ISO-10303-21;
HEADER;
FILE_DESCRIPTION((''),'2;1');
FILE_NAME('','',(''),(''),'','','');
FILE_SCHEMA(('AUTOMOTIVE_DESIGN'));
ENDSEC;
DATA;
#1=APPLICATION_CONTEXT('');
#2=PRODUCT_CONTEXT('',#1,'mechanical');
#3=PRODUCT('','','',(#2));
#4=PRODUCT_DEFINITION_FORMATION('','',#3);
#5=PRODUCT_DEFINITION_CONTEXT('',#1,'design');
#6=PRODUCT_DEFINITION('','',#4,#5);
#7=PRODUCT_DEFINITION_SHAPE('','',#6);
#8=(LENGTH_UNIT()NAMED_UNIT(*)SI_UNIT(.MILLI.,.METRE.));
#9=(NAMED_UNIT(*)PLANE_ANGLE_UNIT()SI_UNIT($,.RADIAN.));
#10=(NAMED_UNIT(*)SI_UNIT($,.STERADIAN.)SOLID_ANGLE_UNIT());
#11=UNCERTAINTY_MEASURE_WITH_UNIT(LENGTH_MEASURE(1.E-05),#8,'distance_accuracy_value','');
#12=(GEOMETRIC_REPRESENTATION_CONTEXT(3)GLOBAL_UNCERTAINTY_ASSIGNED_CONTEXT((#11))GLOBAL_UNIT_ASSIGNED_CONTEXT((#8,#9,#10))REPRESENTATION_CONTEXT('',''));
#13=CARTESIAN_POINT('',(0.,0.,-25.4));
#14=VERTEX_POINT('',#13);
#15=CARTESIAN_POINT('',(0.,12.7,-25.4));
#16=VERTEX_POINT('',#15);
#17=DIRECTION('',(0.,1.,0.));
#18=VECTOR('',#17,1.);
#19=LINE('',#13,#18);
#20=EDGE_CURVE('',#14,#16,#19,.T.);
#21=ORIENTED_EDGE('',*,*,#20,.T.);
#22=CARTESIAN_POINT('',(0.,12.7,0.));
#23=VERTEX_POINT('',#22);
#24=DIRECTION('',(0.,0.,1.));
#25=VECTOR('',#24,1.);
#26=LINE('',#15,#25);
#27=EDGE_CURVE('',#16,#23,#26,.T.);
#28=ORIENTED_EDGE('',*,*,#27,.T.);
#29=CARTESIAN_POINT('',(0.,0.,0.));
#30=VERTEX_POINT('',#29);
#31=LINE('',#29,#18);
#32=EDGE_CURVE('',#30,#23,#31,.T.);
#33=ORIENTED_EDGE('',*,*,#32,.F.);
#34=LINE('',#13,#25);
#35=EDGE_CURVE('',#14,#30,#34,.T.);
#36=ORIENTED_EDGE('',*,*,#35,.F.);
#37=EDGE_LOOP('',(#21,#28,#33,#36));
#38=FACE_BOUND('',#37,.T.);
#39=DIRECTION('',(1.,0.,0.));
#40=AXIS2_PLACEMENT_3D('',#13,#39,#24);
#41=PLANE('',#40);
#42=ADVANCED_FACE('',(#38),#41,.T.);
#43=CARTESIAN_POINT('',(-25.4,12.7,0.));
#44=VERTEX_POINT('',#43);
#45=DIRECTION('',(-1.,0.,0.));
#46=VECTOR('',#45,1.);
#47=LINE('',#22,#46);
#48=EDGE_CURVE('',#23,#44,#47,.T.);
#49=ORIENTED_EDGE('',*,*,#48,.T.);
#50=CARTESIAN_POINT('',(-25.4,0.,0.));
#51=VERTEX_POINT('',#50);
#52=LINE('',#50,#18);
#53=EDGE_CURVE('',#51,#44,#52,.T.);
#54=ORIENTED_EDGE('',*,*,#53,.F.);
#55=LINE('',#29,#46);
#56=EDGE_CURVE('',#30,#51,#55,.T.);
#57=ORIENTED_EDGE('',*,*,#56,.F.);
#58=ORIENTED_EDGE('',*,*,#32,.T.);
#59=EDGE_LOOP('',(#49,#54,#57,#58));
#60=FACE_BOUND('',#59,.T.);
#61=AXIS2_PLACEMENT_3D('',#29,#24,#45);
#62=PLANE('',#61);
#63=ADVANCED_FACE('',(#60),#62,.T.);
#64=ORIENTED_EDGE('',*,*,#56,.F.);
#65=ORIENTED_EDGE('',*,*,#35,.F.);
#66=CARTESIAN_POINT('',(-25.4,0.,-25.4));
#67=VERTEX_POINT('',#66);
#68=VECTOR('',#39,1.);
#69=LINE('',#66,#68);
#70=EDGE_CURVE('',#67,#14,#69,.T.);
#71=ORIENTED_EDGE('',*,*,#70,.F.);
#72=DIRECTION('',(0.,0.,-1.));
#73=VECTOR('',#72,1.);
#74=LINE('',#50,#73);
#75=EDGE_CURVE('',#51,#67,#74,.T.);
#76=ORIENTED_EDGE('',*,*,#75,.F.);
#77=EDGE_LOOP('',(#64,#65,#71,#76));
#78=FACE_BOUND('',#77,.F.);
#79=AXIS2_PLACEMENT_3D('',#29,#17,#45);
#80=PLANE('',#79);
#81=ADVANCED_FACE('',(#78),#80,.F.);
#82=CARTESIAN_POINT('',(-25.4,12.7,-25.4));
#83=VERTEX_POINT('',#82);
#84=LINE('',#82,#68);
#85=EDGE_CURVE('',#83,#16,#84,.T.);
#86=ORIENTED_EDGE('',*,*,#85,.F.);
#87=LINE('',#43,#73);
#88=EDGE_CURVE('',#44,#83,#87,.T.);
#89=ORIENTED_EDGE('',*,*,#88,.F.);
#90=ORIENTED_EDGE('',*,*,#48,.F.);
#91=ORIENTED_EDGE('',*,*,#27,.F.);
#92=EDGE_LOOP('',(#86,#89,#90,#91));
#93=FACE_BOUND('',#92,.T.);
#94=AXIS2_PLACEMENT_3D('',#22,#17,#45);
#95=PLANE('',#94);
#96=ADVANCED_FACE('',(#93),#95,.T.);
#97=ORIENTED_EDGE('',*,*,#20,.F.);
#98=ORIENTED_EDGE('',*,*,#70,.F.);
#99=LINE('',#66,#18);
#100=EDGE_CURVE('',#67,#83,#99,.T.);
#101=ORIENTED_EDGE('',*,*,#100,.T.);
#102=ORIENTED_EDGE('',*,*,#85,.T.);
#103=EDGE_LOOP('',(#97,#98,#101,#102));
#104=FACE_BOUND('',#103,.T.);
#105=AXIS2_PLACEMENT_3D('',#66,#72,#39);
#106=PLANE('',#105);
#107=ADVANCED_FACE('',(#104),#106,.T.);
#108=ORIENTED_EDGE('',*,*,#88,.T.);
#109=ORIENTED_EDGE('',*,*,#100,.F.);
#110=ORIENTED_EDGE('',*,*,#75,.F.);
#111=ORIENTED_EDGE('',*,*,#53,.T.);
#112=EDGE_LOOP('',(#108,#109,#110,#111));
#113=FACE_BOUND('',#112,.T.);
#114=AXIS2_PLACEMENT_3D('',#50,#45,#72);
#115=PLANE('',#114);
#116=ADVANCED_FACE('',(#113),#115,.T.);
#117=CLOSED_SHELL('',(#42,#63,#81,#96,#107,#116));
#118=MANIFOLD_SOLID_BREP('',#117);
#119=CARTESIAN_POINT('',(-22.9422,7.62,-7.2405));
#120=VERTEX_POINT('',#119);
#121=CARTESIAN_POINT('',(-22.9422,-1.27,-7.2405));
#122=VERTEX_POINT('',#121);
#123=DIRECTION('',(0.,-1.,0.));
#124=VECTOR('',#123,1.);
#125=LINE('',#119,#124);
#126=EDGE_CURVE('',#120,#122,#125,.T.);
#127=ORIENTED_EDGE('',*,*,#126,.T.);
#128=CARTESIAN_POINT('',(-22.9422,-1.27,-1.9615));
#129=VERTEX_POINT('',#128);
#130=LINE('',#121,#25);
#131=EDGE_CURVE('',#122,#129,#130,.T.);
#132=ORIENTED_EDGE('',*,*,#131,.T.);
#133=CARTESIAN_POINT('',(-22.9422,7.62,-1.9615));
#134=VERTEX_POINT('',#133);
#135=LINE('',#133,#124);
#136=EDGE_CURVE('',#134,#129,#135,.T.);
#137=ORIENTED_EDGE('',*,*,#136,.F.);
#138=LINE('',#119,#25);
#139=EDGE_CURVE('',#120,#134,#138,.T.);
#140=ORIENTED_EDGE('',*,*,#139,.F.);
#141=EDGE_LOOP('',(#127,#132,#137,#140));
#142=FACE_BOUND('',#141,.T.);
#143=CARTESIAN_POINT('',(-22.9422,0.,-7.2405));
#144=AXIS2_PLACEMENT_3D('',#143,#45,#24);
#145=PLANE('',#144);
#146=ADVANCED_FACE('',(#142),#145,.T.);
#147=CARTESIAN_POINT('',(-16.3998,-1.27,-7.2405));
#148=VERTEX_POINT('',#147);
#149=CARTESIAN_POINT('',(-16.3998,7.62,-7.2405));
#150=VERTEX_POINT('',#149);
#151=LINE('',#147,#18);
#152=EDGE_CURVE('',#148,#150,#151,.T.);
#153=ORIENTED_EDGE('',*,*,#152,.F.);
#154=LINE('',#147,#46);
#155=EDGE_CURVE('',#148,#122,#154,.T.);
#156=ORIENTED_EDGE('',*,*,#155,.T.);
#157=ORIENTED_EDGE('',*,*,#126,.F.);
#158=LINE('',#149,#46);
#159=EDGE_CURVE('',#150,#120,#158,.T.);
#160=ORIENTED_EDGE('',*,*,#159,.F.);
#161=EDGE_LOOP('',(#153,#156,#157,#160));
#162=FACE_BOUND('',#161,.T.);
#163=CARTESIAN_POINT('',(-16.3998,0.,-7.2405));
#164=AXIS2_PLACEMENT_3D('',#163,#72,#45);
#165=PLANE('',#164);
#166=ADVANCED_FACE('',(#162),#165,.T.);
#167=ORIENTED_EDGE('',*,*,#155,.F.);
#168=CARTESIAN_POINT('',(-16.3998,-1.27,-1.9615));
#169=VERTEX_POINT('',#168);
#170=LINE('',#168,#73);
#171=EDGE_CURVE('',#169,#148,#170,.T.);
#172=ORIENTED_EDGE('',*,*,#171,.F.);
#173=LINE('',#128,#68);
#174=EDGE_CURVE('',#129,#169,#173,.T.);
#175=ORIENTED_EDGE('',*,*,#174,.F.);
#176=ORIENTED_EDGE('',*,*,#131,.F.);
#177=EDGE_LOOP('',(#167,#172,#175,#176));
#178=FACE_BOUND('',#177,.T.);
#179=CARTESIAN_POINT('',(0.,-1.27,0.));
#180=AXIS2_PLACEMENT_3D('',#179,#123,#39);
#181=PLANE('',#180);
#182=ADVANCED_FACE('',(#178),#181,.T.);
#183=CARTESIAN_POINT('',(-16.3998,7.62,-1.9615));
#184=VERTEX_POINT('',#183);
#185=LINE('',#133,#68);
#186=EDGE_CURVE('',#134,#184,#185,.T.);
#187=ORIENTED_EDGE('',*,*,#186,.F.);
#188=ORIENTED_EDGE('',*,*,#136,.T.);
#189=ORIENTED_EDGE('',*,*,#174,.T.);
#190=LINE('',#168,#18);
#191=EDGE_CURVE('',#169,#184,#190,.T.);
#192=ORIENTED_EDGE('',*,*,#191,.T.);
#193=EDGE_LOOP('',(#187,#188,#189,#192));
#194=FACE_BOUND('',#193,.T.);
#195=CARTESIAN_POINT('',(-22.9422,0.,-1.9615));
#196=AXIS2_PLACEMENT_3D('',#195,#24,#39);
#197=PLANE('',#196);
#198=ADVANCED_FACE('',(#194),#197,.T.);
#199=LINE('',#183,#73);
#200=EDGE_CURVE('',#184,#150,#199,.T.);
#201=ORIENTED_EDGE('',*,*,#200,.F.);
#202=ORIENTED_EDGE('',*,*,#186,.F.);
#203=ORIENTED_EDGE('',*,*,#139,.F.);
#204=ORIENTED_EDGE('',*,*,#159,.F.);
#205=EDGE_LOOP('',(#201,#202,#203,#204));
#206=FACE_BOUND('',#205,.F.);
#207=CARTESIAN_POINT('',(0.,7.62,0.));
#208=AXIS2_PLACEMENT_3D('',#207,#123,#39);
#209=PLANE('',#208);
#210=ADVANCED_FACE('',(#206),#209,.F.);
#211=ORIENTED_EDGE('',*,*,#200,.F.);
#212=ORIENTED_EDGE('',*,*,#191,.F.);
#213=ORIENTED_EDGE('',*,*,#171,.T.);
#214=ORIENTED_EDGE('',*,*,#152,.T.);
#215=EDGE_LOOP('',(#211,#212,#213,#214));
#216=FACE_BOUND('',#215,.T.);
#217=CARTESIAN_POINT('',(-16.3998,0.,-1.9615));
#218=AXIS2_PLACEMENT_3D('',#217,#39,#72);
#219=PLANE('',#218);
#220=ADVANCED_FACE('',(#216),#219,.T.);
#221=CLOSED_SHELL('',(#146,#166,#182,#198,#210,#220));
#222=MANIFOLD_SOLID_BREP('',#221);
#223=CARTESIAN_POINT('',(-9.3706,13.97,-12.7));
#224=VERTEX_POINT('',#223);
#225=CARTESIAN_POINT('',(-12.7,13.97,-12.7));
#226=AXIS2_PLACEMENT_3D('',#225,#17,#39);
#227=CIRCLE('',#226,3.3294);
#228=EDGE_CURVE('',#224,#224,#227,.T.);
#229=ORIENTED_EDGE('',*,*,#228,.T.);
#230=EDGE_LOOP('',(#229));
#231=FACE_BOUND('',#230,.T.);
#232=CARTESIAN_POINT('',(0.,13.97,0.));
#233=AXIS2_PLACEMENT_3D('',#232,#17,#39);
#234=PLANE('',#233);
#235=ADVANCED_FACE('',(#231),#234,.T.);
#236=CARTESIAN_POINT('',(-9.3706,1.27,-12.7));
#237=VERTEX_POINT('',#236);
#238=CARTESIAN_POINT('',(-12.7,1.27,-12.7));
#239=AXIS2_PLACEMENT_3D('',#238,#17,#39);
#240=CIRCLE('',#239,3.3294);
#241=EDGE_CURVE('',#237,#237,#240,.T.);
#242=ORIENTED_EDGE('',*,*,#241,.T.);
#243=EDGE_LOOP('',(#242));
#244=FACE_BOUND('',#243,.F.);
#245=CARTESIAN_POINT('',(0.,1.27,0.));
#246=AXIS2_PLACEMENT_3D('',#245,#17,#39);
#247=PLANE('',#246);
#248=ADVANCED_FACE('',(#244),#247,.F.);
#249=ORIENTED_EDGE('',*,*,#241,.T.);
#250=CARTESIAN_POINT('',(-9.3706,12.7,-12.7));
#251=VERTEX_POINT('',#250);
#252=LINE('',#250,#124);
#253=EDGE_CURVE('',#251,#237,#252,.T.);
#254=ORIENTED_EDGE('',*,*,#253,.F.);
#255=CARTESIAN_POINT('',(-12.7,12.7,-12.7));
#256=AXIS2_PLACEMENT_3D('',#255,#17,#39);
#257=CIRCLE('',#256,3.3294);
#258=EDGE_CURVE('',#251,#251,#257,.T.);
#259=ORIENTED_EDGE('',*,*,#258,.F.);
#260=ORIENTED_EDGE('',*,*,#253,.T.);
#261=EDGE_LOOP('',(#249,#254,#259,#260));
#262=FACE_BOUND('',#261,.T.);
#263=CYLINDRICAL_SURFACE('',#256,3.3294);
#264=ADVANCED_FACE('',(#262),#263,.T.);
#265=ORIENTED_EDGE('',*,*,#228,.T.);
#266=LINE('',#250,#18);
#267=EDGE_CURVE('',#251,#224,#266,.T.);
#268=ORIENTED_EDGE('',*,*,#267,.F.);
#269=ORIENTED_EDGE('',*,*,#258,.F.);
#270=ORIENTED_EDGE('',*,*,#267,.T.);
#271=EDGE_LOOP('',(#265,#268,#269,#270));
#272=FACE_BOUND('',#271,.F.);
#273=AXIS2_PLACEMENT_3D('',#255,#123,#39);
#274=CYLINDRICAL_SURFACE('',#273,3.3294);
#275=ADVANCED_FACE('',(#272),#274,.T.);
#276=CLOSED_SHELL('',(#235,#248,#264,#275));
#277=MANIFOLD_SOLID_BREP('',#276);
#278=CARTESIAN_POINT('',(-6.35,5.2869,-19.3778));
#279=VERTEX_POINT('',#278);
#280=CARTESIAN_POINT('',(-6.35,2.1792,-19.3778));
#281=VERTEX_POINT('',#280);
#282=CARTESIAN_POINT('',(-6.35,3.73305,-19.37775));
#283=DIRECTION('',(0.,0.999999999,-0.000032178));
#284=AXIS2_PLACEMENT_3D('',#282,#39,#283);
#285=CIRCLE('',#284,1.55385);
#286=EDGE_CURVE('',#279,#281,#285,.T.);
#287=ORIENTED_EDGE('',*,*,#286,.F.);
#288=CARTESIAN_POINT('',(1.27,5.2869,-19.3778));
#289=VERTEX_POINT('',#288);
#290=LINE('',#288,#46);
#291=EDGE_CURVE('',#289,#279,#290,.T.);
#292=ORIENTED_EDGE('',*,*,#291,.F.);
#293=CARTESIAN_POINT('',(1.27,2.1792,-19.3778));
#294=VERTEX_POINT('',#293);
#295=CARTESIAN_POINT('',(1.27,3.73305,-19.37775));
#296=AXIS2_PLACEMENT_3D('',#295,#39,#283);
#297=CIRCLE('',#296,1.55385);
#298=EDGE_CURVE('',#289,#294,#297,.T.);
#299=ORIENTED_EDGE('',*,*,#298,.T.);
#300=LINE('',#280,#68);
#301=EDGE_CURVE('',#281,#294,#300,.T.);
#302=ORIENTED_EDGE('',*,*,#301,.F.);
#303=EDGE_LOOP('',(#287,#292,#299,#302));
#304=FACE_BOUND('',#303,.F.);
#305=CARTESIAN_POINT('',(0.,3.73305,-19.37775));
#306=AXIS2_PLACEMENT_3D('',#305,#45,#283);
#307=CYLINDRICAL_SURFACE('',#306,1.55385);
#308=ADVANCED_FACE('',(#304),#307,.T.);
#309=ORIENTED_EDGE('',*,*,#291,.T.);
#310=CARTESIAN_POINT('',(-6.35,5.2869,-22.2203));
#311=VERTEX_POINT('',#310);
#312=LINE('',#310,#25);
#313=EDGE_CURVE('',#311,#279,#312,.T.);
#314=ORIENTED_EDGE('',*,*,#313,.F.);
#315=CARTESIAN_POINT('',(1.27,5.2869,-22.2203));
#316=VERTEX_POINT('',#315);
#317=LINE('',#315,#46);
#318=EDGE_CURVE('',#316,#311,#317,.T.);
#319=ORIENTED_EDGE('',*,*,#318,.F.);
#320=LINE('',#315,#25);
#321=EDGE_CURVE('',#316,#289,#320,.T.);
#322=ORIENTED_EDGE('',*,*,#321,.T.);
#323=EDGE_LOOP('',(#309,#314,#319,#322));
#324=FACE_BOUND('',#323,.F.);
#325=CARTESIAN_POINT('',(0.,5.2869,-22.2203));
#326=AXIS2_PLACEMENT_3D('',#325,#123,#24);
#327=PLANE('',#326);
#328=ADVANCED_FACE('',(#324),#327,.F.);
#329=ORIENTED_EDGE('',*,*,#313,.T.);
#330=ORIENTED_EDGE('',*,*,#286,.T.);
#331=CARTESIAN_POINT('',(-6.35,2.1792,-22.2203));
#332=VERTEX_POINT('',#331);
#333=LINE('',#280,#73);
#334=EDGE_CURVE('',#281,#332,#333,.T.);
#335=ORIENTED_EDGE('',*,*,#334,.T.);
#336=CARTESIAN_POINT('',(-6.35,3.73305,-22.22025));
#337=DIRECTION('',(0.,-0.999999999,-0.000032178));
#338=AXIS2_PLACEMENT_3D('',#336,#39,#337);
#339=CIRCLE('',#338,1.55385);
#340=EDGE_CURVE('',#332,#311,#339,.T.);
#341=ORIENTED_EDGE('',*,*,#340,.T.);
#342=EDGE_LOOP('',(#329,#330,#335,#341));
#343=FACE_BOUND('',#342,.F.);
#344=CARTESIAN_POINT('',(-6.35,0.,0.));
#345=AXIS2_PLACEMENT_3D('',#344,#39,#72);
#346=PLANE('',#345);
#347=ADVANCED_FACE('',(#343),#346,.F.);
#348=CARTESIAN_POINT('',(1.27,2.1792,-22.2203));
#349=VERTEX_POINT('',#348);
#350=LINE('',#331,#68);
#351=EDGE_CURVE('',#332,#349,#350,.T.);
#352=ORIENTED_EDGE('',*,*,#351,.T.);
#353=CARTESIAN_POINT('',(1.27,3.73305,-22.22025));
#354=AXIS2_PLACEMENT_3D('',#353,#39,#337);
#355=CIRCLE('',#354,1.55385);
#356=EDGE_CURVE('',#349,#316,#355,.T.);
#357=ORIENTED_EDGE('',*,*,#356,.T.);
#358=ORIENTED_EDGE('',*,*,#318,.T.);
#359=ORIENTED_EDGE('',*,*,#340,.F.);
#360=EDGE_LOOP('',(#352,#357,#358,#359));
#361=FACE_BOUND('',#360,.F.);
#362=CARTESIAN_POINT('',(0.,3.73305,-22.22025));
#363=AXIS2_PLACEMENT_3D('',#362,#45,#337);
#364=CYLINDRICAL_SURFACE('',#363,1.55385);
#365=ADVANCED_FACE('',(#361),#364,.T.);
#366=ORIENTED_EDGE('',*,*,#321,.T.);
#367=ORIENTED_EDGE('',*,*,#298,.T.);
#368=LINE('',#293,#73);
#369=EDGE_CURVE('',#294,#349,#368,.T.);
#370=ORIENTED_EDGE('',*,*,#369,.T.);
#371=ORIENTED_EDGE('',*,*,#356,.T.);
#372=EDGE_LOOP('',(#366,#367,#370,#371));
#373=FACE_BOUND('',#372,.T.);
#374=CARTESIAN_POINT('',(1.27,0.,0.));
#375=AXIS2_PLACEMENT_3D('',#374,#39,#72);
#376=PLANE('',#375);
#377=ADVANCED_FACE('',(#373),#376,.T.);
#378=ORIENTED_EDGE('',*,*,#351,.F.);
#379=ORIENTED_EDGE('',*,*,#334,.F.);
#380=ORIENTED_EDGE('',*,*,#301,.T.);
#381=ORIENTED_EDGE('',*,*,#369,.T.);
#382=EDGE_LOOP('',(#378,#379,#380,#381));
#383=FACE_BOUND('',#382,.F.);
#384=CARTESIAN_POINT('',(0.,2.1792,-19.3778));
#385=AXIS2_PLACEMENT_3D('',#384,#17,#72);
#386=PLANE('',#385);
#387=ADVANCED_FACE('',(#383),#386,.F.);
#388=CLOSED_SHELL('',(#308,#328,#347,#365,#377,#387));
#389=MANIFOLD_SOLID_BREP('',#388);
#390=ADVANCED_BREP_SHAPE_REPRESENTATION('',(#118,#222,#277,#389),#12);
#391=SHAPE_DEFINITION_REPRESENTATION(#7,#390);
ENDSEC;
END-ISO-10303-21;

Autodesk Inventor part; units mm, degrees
ref_plane "YZ Plane" through (0, 0, 0) normal (1, 0, 0) x (0, 1, 0)
ref_plane "XZ Plane" through (0, 0, 0) normal (0, 1, 0) x (-1, 0, 0)
ref_plane "XY Plane" through (0, 0, 0) normal (0, 0, 1) x (1, 0, 0)
sketch "Sketch1" plane through (0, 0, 0) normal (0, 1, 0) x (-1, 0, 0)
  line L0 (0, 0) -> (25.4, 0)
  line L1 (25.4, 0) -> (25.4, -25.4)
  line L2 (25.4, -25.4) -> (0, -25.4)
  line L3 (0, -25.4) -> (0, 0)
  dimension "d0" = 25.4
  dimension "d1" = 25.4
extrude "Extrusion1" add sketch "Sketch1" along normal blind 12.7
sketch "Sketch2" plane through (0, 12.7, 0) normal (0, 1, 0) x (1, 0, 0)
  circle A0 centre (-12.7, 12.7) radius 3.3294
extrude "Extrusion2" add sketch "Sketch2" along normal blind 1.27 and the other way blind 11.43 separate body
sketch "Sketch3" plane through (0, 0, 0) normal (0, -1, 0) x (1, 0, 0)
  line L0 (-22.9422, -1.9615) -> (-16.3998, -1.9615)
  line L1 (-16.3998, -1.9615) -> (-16.3998, -7.2405)
  line L2 (-16.3998, -7.2405) -> (-22.9422, -7.2405)
  line L3 (-22.9422, -7.2405) -> (-22.9422, -1.9615)
extrude "Extrusion3" add sketch "Sketch3" along normal blind 1.27 and the other way blind 7.62 separate body
sketch "Sketch4" plane through (0, 0, 0) normal (1, 0, 0) x (0, 0, -1)
  line L0 (25.4, 0) -> (0, 0) projected
  line L1 (19.3778, 3.733) -> (22.2203, 3.733) construction
  line L2 (19.3778, 2.1792) -> (22.2203, 2.1792)
  line L3 (22.2203, 5.2869) -> (19.3778, 5.2869)
  arc A0 (19.3778, 5.2869) -> (19.3778, 2.1792) centre (19.3778, 3.733) ccw
  arc A1 (22.2203, 2.1792) -> (22.2203, 5.2869) centre (22.2203, 3.733) ccw
  point P0 (20.799, 3.733)
extrude "Extrusion4" add sketch "Sketch4" along normal blind 1.27 and the other way blind 6.35 separate body
properties part number "Remnant3Features"
